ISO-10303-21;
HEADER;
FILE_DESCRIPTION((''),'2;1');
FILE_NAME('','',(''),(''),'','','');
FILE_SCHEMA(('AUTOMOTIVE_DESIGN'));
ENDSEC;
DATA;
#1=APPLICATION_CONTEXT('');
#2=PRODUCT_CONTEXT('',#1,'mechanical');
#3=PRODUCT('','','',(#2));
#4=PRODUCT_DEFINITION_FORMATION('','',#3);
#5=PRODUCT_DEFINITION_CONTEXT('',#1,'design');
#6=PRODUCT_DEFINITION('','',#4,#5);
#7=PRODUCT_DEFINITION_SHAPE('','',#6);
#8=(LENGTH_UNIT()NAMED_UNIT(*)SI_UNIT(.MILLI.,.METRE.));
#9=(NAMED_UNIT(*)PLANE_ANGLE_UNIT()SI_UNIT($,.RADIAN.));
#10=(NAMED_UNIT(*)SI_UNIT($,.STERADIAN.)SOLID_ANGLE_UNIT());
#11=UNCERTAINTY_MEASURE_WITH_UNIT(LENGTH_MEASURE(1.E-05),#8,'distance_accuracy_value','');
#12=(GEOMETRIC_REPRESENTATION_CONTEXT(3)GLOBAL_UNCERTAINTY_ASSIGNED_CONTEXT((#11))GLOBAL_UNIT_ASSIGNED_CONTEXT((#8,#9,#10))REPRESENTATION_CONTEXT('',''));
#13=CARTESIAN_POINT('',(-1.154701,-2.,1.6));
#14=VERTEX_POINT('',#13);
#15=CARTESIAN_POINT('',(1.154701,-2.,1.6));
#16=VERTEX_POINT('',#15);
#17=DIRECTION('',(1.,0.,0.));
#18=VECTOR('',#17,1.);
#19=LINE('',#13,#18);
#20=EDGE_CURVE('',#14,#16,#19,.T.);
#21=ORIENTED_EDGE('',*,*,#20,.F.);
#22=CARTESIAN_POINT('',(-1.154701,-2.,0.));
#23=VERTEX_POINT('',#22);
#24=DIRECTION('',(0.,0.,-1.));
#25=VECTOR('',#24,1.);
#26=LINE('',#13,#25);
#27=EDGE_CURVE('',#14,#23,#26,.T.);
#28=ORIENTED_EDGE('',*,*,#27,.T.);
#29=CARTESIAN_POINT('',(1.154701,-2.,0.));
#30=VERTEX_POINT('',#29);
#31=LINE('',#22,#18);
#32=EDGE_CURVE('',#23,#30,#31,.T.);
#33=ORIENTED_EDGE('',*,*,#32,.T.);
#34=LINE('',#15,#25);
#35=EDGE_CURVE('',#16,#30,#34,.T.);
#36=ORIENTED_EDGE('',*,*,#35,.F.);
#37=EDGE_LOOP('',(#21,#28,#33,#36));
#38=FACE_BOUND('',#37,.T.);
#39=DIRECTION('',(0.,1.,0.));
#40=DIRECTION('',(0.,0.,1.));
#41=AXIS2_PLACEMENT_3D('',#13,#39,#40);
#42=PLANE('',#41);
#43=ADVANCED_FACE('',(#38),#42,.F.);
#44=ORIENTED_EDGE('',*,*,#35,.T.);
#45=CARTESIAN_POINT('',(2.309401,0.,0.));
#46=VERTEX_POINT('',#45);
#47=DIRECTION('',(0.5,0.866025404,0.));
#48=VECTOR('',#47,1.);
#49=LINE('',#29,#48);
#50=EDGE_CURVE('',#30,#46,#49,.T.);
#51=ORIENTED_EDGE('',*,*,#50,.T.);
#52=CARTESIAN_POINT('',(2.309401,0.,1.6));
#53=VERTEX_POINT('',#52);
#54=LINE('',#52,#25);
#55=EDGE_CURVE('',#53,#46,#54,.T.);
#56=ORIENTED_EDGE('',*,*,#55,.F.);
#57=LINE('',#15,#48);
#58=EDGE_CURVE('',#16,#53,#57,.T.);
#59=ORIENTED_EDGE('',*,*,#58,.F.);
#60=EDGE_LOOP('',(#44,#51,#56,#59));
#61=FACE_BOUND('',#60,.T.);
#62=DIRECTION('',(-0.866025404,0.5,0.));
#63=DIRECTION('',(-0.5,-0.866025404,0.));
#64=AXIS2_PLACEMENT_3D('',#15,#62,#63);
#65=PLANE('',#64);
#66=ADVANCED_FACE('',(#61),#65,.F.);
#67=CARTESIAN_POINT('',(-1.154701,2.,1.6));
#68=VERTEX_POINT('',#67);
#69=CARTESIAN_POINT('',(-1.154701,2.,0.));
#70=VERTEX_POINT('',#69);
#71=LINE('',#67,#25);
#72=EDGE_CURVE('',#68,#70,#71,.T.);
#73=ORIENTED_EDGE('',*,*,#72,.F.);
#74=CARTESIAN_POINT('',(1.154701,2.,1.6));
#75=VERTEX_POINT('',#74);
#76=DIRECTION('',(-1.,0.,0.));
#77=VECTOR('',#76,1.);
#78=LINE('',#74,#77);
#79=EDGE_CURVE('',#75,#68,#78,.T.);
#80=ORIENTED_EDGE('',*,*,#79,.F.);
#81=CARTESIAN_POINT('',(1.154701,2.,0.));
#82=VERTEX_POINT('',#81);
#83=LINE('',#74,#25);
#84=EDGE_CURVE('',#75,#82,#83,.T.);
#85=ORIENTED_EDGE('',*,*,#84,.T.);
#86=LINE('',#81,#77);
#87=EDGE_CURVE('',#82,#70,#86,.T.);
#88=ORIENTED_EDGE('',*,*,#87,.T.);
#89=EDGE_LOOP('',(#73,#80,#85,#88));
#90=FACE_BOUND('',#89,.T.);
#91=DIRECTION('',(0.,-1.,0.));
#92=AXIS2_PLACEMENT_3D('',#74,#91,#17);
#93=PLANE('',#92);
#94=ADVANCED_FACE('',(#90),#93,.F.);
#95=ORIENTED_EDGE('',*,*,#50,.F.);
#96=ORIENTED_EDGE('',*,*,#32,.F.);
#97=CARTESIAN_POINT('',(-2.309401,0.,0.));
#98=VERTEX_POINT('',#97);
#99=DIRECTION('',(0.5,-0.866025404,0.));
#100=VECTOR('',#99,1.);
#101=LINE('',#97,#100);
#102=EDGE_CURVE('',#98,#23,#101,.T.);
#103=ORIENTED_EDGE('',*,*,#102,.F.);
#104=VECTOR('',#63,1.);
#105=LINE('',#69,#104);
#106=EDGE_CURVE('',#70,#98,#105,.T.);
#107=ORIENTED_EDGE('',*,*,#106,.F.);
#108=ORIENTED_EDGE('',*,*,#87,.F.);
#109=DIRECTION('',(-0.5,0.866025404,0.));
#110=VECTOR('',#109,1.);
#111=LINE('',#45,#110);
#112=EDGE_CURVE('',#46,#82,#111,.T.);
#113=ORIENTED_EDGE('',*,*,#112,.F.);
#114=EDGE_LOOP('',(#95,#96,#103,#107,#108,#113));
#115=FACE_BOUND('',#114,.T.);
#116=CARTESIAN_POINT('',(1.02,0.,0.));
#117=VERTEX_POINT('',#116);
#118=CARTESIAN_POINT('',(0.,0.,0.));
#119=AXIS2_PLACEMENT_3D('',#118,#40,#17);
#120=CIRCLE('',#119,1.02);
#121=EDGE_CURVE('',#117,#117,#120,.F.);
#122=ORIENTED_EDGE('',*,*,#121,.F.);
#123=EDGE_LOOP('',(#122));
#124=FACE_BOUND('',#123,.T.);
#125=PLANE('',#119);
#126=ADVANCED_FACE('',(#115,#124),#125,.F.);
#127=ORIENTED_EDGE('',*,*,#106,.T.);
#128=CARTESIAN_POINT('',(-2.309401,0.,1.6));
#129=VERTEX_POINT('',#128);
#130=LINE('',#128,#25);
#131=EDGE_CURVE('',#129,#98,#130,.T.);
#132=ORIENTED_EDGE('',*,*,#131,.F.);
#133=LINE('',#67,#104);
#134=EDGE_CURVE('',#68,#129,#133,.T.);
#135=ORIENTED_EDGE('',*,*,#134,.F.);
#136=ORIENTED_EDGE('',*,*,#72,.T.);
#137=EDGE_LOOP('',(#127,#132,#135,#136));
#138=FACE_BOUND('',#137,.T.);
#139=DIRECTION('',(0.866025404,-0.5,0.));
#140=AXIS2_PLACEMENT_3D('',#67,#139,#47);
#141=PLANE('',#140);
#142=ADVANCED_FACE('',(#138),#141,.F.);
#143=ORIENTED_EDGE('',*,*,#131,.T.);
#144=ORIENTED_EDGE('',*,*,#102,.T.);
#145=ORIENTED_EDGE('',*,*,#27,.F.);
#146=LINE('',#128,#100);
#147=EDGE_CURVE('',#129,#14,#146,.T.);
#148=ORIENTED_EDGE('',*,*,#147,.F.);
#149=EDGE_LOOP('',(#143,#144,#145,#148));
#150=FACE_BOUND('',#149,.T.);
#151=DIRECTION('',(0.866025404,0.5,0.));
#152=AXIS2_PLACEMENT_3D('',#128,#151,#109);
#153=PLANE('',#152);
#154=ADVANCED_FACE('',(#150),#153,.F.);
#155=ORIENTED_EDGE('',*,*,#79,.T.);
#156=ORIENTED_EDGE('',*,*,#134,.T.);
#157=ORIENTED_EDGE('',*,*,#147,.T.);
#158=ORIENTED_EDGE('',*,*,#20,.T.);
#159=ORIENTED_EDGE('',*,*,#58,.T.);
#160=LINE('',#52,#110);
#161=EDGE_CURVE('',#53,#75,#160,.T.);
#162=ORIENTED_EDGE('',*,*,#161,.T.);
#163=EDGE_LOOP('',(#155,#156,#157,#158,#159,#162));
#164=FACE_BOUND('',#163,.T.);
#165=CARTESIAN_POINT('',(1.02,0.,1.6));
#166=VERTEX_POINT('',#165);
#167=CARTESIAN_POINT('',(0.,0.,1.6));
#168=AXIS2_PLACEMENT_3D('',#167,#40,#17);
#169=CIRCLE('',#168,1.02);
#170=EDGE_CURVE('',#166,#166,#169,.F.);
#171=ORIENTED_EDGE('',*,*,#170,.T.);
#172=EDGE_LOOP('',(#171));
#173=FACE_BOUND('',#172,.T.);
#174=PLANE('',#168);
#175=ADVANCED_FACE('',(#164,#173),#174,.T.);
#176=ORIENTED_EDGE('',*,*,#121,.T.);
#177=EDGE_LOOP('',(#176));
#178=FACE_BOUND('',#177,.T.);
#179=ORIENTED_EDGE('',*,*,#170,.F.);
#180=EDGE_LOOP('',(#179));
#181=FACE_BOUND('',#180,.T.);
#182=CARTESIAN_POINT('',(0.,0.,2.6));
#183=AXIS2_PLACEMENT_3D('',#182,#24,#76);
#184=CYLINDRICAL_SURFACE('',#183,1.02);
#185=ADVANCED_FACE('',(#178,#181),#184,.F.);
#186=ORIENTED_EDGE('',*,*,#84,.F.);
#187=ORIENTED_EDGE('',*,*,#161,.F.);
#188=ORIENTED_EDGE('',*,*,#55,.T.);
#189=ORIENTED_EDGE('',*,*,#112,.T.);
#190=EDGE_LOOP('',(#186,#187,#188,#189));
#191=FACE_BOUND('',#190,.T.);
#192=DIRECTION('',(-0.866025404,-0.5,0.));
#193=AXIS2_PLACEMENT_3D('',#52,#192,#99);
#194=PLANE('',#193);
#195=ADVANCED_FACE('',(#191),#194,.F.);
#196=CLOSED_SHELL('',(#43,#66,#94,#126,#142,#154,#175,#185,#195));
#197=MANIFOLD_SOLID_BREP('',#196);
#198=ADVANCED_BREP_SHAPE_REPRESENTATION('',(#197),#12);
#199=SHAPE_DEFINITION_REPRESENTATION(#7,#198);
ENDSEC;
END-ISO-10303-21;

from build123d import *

# Parameters (mm, degrees)
HEX_BLANK_DEPTH                  = 1.6
NOMINAL_THREAD_ENVELOPE_START    = -1
SKETCH_NOMINAL_THREAD_ENVELOPE_R = 1.02
NOMINAL_THREAD_ENVELOPE_DEPTH    = 3.6


with BuildPart() as part:
    # Sketch_Hex_blank → Hex_blank (new body)
    with BuildSketch(Plane.XY):
        Polygon((2.309401077, 0), (1.154700538, 2), (-1.154700538, 2), (-2.309401077, 0), (-1.154700538, -2), (1.154700538, -2), align=None)
    extrude(amount=HEX_BLANK_DEPTH)

    # Sketch_Nominal_thread_envelope → Nominal_thread_envelope (cut)
    with BuildSketch(Plane.XY.offset(NOMINAL_THREAD_ENVELOPE_START)):
        Circle(SKETCH_NOMINAL_THREAD_ENVELOPE_R)
    extrude(amount=NOMINAL_THREAD_ENVELOPE_DEPTH, mode=Mode.SUBTRACT)


solid = part.part
